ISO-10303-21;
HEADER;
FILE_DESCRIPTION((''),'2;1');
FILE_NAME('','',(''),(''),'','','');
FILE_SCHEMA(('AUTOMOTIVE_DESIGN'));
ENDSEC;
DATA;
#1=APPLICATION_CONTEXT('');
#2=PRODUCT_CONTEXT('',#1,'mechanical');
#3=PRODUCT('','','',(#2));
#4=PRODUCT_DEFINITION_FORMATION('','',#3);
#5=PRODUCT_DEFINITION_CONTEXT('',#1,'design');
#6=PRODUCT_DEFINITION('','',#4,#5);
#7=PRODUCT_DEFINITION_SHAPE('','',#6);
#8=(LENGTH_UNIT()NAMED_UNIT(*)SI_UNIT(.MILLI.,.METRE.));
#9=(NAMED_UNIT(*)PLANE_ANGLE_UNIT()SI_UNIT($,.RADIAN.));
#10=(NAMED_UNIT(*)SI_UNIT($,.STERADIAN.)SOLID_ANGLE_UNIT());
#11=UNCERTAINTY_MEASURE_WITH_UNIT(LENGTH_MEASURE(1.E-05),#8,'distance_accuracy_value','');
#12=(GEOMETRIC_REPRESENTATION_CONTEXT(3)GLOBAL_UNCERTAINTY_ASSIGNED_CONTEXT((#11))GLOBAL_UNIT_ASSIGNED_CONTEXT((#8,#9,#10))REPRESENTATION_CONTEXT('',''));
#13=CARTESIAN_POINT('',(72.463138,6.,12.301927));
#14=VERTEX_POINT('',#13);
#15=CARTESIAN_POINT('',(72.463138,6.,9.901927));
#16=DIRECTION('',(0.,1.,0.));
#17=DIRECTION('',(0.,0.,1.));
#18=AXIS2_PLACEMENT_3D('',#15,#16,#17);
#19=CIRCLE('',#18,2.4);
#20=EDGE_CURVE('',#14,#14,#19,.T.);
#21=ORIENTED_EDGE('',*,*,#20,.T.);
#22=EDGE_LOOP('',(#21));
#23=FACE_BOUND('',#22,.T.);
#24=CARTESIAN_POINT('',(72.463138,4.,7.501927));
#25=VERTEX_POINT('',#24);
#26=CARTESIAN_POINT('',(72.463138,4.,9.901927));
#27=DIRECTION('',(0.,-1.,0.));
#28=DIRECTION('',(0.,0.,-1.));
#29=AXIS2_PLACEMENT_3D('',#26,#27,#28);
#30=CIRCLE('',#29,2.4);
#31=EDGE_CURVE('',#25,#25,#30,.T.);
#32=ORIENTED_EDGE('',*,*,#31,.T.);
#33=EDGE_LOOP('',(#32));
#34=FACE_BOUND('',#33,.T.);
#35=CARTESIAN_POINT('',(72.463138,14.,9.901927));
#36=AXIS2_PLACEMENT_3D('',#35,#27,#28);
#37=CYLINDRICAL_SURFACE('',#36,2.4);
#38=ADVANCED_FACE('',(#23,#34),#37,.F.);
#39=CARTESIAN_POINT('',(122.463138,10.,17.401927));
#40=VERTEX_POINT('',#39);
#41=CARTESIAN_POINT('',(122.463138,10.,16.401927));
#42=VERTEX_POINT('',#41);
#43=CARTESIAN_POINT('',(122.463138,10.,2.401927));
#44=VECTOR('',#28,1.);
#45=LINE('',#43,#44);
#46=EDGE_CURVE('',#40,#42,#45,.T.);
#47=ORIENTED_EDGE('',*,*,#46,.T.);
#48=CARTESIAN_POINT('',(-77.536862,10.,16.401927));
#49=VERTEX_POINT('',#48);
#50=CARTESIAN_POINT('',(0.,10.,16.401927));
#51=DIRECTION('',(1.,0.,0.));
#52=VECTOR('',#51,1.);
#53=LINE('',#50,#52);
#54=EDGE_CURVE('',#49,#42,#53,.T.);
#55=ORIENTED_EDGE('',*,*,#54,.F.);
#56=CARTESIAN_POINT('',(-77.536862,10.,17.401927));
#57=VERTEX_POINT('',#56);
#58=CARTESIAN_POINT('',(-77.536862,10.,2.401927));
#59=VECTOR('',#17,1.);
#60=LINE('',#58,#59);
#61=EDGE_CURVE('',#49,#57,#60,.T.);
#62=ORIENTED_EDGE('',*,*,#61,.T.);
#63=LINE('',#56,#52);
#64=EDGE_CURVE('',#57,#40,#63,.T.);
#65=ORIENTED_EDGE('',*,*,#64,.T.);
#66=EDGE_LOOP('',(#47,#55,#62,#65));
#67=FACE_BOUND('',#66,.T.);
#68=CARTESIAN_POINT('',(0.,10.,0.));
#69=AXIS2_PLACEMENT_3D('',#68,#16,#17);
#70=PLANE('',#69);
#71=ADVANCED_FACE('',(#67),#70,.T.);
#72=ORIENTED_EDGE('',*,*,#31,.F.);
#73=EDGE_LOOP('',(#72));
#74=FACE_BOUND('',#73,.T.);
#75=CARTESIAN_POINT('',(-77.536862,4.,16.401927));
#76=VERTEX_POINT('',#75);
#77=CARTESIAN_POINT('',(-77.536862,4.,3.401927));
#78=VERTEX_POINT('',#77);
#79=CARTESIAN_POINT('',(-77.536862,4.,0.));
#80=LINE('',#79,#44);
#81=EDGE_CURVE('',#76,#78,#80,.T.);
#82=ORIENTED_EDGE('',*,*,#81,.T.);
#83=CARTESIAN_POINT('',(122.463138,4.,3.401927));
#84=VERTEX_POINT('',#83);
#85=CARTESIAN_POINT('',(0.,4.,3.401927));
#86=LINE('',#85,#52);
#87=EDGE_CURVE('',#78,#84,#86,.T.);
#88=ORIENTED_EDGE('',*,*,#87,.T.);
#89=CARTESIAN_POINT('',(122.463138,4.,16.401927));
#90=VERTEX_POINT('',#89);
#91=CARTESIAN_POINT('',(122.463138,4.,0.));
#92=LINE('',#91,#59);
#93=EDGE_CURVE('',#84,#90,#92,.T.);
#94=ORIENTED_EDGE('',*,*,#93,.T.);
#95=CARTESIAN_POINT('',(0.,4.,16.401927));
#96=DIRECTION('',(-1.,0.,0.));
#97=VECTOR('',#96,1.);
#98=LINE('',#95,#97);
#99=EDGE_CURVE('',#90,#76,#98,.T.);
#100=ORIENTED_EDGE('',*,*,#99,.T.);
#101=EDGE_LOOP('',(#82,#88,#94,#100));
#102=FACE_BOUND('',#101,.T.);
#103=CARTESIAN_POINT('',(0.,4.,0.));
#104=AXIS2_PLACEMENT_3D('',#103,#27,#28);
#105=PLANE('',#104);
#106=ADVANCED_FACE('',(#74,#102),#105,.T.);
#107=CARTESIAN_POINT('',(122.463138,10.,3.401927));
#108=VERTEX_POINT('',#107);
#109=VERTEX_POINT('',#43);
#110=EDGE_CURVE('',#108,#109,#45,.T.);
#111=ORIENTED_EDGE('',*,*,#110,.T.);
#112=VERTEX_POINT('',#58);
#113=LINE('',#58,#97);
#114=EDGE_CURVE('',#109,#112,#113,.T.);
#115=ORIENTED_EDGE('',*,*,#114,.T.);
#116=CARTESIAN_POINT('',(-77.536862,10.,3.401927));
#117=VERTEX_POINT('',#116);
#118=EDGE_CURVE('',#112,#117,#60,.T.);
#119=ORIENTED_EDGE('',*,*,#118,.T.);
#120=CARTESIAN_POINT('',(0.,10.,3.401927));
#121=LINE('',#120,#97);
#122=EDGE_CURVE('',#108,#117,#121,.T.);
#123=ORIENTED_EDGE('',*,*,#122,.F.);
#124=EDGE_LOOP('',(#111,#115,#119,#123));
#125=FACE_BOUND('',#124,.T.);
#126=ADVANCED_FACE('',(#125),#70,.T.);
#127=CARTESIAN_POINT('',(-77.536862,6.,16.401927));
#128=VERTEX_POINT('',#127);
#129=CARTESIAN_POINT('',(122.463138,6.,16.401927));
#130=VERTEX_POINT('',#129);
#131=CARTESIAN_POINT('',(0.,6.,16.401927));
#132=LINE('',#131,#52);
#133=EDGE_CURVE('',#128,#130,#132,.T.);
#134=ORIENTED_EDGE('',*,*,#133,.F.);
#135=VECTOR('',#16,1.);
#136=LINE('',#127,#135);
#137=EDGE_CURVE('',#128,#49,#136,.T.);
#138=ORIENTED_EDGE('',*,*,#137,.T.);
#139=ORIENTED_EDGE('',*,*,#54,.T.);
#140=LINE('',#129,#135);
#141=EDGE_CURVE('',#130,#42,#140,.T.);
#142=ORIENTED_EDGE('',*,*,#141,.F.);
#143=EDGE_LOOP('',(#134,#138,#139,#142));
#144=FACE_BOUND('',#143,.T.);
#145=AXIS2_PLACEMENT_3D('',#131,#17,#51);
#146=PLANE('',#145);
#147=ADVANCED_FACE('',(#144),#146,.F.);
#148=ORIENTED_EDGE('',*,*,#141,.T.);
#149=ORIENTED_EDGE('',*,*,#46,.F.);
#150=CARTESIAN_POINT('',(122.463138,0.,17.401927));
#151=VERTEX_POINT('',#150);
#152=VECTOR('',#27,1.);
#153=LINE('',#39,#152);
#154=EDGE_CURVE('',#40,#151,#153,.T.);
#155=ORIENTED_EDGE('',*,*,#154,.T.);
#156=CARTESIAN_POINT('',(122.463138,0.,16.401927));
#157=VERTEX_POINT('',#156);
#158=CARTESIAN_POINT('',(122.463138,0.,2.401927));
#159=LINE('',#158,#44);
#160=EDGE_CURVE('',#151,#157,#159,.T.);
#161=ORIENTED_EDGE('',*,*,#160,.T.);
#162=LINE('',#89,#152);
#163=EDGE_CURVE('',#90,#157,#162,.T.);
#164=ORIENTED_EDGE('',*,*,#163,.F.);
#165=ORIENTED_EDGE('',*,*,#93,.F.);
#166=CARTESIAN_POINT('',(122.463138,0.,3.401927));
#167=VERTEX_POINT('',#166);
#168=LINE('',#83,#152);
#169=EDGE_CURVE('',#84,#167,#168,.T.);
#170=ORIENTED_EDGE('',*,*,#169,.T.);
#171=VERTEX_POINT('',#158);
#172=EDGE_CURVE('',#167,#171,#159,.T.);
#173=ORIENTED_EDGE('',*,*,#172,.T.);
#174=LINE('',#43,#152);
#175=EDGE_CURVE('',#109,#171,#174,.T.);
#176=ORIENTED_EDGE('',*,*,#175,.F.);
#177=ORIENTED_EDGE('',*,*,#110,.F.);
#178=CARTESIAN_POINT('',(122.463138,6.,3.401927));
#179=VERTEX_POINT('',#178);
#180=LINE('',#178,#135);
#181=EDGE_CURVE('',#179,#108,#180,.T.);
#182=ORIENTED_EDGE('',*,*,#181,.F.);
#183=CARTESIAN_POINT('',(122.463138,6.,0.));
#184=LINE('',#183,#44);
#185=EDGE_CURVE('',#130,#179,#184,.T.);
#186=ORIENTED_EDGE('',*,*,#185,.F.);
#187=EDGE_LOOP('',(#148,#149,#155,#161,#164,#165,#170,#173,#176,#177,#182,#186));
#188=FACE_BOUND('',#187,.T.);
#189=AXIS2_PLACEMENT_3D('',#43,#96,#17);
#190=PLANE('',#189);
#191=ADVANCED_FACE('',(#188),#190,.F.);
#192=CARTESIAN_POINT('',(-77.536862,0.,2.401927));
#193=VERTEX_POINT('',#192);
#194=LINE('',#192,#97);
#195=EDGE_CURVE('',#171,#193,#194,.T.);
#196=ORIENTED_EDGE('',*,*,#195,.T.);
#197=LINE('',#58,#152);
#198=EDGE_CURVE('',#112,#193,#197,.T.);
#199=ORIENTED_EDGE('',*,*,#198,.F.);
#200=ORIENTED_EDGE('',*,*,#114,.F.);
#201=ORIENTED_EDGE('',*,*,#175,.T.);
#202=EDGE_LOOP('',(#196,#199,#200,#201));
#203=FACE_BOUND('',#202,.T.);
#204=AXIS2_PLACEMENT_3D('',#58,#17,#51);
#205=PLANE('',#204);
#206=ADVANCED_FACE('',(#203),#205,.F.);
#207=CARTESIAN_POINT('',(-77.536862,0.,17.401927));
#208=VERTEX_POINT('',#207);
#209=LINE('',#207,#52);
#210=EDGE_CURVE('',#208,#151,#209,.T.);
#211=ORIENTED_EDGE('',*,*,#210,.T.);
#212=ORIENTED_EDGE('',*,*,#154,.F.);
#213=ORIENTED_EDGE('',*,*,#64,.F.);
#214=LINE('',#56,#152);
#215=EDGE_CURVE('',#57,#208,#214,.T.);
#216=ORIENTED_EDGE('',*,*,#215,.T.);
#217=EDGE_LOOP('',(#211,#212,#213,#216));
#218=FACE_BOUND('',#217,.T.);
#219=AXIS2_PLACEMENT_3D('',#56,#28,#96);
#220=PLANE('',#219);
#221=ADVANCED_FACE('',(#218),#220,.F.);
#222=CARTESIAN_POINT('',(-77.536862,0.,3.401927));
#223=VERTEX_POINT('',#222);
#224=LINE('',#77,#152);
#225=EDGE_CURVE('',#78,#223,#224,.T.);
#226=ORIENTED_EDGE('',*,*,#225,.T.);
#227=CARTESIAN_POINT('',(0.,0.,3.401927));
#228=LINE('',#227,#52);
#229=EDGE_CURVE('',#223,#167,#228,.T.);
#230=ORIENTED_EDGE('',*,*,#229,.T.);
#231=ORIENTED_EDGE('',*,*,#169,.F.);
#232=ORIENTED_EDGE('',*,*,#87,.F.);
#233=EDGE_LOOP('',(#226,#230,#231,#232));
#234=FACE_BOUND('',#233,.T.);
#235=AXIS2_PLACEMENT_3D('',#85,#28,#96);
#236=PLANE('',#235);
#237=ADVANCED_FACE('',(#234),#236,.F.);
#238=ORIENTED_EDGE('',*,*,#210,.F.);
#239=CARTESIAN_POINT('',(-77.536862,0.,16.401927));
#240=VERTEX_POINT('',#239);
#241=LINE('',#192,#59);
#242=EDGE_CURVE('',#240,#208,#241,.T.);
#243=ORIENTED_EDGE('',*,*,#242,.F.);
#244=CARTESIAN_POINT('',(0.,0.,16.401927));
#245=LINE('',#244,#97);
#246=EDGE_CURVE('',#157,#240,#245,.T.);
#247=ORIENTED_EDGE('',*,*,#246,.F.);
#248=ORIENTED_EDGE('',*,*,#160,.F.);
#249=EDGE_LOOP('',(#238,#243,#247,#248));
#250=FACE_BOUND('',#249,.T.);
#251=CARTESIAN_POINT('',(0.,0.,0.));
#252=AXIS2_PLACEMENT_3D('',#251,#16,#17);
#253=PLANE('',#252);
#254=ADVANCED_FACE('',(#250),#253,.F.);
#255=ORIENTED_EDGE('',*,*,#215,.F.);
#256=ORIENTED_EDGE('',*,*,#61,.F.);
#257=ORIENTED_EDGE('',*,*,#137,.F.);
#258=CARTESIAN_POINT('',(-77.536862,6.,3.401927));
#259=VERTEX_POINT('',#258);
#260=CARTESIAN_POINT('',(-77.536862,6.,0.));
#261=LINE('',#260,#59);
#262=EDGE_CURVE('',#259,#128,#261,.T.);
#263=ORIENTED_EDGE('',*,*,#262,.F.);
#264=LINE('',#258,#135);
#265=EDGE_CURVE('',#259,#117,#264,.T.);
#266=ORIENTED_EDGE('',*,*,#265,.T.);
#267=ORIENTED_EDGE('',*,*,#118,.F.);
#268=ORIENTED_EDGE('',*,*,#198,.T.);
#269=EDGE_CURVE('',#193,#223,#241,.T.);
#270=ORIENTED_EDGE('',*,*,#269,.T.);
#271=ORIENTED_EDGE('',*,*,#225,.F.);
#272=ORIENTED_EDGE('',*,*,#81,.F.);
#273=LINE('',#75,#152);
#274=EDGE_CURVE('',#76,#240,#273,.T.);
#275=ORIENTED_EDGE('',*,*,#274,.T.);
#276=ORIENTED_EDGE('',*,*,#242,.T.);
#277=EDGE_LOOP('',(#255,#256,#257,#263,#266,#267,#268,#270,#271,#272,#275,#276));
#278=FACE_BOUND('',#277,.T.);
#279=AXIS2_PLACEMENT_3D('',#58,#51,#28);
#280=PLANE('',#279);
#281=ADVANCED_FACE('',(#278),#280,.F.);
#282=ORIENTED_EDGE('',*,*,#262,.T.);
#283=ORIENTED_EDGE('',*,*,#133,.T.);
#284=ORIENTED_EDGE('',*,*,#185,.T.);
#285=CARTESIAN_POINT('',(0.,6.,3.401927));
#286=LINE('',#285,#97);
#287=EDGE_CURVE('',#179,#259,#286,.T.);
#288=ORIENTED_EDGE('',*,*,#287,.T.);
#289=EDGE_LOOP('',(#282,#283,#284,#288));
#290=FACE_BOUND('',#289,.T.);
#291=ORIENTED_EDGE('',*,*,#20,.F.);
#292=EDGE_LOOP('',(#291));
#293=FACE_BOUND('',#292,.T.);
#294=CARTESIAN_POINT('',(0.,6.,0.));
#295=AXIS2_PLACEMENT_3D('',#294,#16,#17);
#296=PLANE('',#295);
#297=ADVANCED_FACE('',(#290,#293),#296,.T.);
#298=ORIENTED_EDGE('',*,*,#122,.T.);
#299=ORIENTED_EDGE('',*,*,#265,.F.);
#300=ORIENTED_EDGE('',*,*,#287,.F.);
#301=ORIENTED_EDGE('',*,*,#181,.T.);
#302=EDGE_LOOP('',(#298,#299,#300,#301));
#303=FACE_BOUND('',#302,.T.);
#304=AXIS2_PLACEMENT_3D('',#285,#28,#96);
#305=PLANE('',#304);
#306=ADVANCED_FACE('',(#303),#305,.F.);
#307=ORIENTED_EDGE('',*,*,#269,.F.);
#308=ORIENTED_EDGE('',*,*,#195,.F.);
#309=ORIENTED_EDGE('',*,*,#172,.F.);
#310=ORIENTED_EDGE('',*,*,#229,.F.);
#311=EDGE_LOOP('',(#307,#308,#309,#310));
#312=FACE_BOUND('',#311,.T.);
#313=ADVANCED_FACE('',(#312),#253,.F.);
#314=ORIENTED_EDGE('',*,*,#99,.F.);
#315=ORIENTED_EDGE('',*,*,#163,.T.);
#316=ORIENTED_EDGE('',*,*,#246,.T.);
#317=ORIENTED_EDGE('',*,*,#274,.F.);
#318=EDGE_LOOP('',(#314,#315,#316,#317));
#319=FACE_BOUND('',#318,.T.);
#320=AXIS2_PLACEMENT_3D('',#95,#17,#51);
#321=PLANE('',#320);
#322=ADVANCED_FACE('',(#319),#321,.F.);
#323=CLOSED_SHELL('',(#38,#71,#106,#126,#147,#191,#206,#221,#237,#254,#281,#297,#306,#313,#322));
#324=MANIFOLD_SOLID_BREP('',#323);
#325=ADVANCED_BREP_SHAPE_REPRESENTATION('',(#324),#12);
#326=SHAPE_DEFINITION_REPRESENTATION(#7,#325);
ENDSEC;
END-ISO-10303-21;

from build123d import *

# Parameters (mm, degrees)
SKETCH1_W           = 200
SKETCH1_H           = 15
BOSS_EXTRUDE1_DEPTH = 10
CUT_EXTRUDE1_DEPTH  = 4
SKETCH4_W           = 200
SKETCH4_H           = 13
CUT_EXTRUDE2_DEPTH  = 4
SKETCH5_R           = 2.4
CUT_EXTRUDE3_DEPTH  = 10


with BuildPart() as part:
    # Sketch1 → Boss-Extrude1 (new body)
    with BuildSketch(Plane(origin=(0, 0, 0), x_dir=(1, 0, 0), z_dir=(0, 1, 0))):
        with Locations((22.463138005, -9.901926804)):
            Rectangle(SKETCH1_W, SKETCH1_H)
    extrude(amount=BOSS_EXTRUDE1_DEPTH)

    # Sketch3 → Cut-Extrude1 (cut)
    with BuildSketch(Plane(origin=(0, 10, 0), x_dir=(1, 0, 0), z_dir=(0, 1, 0))):
        Polygon((-77.536861995, -3.454668646), (-77.536861995, -16.401926804), (122.463138005, -16.401926804), (122.463138005, -3.541728885), (122.463138005, -3.401926804), (-77.536861995, -3.401926804), align=None)
    extrude(amount=-CUT_EXTRUDE1_DEPTH, mode=Mode.SUBTRACT)

    # Sketch4 → Cut-Extrude2 (cut)
    with BuildSketch(Plane.XZ):
        with Locations((22.463138005, 9.901926804)):
            Rectangle(SKETCH4_W, SKETCH4_H)
    extrude(amount=-CUT_EXTRUDE2_DEPTH, mode=Mode.SUBTRACT)

    # Sketch5 → Cut-Extrude3 (cut)
    with BuildSketch(Plane(origin=(0, 4, 0), x_dir=(-1, 0, 0), z_dir=(0, -1, 0))):
        with Locations((-72.463138005, -9.901926804)):
            Circle(SKETCH5_R)
    extrude(amount=-CUT_EXTRUDE3_DEPTH, mode=Mode.SUBTRACT)


solid = part.part
